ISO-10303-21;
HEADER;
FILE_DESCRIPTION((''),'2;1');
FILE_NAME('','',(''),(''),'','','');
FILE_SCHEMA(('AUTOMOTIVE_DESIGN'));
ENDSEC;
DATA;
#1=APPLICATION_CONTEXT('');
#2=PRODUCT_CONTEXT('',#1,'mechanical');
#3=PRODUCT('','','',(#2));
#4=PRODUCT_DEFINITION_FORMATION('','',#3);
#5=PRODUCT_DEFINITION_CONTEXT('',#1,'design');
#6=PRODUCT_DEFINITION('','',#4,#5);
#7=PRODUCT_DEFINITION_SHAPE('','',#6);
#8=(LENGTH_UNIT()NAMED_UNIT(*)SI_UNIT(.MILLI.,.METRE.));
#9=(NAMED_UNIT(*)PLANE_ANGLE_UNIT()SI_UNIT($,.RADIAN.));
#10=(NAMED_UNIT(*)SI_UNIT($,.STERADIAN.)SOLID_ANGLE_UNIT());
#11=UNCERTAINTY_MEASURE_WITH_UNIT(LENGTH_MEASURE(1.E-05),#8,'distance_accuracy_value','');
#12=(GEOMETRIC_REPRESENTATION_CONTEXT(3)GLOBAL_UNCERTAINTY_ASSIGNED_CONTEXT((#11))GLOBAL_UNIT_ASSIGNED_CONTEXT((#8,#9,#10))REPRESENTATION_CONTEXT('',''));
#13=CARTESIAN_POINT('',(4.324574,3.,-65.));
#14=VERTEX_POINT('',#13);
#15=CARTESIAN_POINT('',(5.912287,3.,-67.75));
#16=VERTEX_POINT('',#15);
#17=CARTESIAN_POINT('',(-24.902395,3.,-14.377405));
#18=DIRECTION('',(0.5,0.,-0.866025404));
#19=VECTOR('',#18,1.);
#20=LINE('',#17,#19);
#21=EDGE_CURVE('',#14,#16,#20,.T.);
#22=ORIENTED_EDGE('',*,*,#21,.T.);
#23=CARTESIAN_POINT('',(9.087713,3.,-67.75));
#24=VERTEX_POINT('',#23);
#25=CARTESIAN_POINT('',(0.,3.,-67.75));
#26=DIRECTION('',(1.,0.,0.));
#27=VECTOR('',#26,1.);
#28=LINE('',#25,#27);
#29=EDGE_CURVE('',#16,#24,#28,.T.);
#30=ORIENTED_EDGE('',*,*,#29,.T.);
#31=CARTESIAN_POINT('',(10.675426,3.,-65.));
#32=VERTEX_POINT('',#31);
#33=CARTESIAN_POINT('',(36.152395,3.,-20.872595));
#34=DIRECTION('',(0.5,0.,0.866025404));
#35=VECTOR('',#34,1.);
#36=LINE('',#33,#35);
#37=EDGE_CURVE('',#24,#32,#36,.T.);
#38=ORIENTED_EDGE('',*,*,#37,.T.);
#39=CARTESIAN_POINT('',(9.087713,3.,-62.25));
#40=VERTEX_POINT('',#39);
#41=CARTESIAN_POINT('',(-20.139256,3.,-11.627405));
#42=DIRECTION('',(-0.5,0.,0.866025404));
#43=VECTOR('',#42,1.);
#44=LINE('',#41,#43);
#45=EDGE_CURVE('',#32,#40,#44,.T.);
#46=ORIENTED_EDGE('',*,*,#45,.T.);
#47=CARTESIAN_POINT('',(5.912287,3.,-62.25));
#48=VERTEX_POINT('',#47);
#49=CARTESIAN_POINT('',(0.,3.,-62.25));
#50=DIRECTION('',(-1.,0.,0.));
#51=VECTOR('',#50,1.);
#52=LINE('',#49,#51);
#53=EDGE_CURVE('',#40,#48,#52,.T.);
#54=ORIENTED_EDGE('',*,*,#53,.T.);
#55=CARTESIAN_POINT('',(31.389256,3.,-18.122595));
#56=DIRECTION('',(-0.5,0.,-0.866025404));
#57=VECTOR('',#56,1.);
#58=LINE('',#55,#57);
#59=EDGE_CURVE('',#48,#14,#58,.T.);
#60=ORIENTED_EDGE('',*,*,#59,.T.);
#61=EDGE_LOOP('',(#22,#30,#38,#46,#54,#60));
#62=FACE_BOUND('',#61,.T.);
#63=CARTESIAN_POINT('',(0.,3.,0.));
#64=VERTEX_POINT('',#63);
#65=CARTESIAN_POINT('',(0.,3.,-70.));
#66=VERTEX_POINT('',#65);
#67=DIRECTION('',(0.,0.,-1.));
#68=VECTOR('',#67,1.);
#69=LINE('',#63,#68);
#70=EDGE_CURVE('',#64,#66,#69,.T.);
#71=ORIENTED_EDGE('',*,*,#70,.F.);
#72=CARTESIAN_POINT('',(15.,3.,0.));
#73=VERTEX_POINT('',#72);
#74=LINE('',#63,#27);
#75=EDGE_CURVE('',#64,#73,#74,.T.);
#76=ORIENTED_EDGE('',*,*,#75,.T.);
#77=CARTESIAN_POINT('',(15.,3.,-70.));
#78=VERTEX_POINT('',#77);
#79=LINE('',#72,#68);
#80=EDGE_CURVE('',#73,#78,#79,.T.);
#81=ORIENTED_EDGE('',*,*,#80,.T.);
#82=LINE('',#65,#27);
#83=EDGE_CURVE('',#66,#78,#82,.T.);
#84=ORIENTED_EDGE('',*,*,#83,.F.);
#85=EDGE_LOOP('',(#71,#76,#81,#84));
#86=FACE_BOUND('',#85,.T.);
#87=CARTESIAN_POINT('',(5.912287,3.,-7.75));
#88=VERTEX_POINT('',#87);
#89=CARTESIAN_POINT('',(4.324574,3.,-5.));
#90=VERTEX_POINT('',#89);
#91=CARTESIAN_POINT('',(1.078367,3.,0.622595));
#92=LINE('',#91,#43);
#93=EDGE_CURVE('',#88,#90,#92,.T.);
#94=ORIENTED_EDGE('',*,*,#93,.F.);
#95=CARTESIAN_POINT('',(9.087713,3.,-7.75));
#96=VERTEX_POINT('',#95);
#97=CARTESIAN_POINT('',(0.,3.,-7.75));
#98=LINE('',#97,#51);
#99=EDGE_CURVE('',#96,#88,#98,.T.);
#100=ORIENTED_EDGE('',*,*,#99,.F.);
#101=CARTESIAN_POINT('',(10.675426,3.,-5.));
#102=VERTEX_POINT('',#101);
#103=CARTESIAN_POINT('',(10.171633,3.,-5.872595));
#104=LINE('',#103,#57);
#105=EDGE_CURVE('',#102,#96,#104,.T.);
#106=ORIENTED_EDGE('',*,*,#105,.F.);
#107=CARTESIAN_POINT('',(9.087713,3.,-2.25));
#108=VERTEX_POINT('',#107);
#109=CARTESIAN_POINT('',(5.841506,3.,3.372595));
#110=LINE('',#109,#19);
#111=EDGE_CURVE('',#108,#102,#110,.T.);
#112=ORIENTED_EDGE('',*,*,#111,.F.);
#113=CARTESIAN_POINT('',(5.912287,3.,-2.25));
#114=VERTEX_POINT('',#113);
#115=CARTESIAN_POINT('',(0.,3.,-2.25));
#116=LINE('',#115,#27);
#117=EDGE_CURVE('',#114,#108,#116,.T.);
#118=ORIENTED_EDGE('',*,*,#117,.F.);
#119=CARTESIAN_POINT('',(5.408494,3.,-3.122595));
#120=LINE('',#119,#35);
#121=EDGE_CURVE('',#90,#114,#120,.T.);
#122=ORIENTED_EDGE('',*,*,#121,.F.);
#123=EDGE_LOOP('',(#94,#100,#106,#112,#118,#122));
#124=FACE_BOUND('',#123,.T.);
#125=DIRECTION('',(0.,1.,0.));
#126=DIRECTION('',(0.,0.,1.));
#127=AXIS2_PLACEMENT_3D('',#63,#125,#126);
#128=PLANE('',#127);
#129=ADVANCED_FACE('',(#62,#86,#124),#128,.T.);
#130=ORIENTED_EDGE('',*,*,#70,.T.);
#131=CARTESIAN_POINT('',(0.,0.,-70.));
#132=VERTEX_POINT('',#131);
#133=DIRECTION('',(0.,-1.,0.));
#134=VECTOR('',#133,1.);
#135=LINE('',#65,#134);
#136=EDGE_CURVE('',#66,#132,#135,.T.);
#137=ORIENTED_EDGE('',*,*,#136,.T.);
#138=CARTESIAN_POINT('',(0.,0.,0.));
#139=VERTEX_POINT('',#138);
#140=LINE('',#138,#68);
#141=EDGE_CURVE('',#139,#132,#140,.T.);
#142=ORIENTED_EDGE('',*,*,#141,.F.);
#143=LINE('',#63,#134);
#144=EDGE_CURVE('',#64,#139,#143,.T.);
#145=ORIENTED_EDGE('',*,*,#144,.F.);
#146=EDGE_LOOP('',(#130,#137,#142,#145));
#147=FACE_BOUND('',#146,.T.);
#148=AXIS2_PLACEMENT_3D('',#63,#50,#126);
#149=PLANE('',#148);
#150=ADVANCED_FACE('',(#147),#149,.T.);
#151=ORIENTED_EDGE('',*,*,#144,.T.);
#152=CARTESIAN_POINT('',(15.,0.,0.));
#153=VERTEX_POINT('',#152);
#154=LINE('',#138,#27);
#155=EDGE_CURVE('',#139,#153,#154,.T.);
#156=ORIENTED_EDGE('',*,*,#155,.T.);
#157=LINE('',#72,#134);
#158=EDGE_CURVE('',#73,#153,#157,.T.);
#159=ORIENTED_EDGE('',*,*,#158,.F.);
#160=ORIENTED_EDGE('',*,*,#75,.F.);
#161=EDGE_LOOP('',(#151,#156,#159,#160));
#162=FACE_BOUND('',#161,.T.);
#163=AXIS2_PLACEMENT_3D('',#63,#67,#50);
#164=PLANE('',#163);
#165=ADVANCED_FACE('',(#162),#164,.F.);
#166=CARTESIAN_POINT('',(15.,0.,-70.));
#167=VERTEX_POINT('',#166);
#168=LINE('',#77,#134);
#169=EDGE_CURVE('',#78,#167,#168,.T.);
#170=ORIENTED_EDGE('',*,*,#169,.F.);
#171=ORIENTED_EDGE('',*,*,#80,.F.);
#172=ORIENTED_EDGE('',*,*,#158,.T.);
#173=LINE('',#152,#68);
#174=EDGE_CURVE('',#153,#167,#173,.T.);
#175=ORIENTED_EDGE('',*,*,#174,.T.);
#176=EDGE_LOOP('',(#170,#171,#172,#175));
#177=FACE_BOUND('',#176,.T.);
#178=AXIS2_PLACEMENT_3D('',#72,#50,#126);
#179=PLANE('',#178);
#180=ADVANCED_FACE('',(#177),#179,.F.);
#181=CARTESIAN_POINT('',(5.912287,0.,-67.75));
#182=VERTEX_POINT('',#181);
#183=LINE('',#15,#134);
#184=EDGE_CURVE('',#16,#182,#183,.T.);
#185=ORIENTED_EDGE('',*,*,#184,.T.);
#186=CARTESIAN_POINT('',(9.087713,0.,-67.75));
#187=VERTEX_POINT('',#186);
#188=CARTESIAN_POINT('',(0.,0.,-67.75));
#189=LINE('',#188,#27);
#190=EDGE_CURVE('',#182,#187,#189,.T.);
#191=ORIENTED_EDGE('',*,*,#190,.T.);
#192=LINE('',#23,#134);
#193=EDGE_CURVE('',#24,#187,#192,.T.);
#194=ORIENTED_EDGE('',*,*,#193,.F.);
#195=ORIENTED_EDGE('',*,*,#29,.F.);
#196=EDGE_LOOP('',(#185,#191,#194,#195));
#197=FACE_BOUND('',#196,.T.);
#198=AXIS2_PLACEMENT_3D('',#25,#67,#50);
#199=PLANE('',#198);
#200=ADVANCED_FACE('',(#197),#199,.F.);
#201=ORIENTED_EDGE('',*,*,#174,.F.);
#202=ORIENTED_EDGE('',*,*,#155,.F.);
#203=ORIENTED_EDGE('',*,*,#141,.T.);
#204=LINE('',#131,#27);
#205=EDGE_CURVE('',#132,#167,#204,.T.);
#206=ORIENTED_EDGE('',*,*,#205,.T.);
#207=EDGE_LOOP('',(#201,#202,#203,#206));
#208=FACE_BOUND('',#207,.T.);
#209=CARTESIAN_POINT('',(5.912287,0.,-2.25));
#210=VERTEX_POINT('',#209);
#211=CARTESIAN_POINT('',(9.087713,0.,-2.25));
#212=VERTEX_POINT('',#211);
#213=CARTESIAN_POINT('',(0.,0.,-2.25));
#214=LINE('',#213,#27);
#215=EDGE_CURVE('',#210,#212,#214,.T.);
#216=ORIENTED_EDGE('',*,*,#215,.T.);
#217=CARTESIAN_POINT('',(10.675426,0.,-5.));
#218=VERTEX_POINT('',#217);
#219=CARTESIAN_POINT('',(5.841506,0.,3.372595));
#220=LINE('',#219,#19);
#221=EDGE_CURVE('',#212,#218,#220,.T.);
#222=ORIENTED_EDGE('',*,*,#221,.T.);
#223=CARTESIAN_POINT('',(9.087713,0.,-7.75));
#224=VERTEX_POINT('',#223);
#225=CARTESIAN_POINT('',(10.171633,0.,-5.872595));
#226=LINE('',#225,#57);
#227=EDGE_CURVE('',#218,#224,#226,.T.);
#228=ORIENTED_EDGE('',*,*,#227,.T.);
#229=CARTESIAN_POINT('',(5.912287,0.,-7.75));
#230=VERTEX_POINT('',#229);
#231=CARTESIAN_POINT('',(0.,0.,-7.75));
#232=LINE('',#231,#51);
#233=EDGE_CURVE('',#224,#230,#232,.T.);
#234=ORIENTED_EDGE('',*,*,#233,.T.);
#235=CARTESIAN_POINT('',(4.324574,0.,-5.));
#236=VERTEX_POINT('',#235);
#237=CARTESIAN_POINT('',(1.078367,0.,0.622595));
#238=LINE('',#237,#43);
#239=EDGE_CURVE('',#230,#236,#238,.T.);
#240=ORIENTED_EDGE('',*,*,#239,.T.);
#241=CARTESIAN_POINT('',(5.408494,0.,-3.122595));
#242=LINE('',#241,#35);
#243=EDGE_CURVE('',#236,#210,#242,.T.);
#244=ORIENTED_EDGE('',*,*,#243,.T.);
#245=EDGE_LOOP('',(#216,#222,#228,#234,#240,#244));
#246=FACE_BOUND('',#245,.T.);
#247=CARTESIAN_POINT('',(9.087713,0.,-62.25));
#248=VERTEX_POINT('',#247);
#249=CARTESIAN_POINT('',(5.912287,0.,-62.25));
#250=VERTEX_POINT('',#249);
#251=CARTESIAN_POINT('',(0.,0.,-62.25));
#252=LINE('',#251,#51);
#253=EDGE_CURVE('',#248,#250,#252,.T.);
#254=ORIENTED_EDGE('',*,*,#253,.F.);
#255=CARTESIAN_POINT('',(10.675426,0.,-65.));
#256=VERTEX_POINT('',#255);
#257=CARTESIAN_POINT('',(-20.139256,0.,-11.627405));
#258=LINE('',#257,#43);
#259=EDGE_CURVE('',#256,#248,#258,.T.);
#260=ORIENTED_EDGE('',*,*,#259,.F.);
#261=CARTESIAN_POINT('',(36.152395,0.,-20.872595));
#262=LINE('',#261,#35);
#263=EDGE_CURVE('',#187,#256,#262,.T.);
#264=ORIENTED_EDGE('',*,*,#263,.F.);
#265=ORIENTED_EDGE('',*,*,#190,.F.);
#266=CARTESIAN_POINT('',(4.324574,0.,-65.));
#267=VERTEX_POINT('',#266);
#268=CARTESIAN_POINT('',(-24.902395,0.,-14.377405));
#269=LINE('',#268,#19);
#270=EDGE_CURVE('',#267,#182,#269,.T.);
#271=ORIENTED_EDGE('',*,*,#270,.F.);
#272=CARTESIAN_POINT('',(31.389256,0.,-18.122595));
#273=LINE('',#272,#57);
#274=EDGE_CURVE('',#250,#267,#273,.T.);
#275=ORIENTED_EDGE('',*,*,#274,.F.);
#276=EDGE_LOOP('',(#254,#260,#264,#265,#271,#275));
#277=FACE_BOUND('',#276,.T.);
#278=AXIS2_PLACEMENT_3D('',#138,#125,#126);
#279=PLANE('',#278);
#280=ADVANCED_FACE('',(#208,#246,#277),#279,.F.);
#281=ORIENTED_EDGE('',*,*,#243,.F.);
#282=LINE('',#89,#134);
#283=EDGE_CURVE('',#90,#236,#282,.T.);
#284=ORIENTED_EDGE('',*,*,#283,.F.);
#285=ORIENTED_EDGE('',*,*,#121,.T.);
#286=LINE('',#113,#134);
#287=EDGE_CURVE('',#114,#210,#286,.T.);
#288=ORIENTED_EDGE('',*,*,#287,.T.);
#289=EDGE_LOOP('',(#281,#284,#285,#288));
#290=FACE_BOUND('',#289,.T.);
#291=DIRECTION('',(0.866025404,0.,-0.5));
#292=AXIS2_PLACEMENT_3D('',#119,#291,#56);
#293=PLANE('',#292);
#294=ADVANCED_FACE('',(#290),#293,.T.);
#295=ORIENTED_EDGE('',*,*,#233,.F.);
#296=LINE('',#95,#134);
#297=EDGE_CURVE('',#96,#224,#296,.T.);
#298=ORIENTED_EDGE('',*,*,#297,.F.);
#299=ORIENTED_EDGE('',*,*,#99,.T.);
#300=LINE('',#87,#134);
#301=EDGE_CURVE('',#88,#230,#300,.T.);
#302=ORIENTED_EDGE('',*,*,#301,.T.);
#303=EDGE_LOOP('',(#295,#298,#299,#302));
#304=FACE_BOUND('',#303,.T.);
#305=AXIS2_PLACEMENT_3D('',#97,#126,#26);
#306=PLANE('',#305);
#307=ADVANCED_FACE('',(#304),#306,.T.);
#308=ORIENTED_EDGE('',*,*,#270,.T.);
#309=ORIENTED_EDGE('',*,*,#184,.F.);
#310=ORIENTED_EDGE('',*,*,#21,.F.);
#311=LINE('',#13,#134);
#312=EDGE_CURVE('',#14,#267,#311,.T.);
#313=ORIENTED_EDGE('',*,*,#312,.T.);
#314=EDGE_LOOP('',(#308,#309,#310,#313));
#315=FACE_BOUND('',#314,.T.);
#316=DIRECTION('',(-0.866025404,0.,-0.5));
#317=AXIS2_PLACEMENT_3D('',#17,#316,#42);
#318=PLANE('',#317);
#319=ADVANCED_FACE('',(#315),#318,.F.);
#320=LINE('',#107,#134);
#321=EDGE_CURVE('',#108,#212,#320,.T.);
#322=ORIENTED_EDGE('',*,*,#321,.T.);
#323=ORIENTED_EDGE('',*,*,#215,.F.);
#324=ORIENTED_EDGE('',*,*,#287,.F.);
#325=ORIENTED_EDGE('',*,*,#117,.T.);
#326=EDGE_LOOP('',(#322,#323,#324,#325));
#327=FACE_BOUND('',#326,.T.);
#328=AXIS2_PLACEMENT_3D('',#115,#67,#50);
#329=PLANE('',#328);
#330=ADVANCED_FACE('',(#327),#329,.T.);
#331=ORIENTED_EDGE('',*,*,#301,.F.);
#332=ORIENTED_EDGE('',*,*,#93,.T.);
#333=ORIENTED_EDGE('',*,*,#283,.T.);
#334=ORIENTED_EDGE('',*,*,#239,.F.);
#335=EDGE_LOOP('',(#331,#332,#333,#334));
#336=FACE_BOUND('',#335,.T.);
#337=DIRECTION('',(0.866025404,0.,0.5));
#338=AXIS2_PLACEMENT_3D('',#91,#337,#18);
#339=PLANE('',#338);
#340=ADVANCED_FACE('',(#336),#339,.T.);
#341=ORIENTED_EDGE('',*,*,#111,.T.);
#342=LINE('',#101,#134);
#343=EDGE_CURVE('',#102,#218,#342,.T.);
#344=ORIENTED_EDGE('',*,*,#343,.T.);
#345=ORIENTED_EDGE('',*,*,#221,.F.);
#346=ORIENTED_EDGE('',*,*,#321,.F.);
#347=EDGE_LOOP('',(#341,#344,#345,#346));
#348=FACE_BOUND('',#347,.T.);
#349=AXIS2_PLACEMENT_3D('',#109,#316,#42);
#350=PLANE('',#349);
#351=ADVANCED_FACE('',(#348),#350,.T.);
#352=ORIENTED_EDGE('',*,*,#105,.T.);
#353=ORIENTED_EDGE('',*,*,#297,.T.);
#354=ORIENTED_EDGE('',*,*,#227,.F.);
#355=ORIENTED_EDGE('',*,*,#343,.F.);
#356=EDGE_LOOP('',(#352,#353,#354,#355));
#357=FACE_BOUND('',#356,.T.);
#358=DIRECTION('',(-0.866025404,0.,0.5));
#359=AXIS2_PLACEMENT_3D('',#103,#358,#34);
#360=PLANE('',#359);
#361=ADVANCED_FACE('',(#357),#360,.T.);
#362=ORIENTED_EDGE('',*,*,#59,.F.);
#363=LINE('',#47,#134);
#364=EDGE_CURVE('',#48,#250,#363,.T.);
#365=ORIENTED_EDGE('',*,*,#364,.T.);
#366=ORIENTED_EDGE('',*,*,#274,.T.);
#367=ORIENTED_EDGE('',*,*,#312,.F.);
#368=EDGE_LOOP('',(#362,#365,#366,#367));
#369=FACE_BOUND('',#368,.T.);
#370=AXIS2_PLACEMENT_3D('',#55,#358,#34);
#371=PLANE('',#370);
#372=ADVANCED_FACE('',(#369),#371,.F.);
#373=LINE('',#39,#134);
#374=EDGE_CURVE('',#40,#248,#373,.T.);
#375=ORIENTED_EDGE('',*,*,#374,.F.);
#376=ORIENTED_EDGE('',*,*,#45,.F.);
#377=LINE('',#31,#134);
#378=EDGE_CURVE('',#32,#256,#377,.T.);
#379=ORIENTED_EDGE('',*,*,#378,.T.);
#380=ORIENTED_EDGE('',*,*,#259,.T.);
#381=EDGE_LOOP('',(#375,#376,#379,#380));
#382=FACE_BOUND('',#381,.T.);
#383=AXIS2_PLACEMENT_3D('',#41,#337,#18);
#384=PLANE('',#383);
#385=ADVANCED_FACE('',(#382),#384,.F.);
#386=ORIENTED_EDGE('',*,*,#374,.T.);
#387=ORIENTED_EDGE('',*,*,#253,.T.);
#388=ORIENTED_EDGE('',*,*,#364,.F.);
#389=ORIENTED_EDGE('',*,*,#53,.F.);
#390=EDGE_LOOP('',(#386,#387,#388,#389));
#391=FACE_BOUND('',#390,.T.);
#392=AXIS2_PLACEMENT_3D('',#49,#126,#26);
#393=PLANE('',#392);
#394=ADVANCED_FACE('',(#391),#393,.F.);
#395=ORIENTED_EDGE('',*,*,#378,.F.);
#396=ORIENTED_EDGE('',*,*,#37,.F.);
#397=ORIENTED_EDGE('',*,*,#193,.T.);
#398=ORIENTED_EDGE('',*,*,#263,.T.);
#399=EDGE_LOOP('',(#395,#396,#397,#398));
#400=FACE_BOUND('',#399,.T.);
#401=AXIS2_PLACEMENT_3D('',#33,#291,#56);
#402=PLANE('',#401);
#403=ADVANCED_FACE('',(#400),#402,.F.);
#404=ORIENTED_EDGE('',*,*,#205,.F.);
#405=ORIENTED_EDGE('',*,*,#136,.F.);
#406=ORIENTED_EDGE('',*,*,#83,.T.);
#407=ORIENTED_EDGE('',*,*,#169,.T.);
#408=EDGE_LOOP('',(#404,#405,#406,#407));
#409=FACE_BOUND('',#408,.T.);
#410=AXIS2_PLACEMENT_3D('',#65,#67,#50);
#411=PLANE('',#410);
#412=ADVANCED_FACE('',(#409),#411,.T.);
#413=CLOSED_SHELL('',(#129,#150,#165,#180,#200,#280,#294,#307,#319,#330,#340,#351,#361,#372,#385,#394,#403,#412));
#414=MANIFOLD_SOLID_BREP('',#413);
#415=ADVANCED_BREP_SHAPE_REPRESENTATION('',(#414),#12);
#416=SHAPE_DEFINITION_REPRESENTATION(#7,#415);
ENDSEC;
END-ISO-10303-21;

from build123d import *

# Parameters (mm, degrees)
SKETCH1_W           = 15
SKETCH1_H           = 70
BOSS_EXTRUDE1_DEPTH = 3


with BuildPart() as part:
    # Sketch1 → Boss-Extrude1 (new body)
    with BuildSketch(Plane(origin=(0, 0, 0), x_dir=(1, 0, 0), z_dir=(0, 1, 0))):
        with Locations((7.5, 35)):
            Rectangle(SKETCH1_W, SKETCH1_H)
        Polygon((9.08771324, 7.75), (5.91228676, 7.75), (4.324573519, 5), (5.91228676, 2.25), (9.08771324, 2.25), (10.675426481, 5), align=None, mode=Mode.SUBTRACT)
        Polygon((9.08771324, 62.25), (5.91228676, 62.25), (4.324573519, 65), (5.91228676, 67.75), (9.08771324, 67.75), (10.675426481, 65), align=None, mode=Mode.SUBTRACT)
    extrude(amount=BOSS_EXTRUDE1_DEPTH)


solid = part.part
